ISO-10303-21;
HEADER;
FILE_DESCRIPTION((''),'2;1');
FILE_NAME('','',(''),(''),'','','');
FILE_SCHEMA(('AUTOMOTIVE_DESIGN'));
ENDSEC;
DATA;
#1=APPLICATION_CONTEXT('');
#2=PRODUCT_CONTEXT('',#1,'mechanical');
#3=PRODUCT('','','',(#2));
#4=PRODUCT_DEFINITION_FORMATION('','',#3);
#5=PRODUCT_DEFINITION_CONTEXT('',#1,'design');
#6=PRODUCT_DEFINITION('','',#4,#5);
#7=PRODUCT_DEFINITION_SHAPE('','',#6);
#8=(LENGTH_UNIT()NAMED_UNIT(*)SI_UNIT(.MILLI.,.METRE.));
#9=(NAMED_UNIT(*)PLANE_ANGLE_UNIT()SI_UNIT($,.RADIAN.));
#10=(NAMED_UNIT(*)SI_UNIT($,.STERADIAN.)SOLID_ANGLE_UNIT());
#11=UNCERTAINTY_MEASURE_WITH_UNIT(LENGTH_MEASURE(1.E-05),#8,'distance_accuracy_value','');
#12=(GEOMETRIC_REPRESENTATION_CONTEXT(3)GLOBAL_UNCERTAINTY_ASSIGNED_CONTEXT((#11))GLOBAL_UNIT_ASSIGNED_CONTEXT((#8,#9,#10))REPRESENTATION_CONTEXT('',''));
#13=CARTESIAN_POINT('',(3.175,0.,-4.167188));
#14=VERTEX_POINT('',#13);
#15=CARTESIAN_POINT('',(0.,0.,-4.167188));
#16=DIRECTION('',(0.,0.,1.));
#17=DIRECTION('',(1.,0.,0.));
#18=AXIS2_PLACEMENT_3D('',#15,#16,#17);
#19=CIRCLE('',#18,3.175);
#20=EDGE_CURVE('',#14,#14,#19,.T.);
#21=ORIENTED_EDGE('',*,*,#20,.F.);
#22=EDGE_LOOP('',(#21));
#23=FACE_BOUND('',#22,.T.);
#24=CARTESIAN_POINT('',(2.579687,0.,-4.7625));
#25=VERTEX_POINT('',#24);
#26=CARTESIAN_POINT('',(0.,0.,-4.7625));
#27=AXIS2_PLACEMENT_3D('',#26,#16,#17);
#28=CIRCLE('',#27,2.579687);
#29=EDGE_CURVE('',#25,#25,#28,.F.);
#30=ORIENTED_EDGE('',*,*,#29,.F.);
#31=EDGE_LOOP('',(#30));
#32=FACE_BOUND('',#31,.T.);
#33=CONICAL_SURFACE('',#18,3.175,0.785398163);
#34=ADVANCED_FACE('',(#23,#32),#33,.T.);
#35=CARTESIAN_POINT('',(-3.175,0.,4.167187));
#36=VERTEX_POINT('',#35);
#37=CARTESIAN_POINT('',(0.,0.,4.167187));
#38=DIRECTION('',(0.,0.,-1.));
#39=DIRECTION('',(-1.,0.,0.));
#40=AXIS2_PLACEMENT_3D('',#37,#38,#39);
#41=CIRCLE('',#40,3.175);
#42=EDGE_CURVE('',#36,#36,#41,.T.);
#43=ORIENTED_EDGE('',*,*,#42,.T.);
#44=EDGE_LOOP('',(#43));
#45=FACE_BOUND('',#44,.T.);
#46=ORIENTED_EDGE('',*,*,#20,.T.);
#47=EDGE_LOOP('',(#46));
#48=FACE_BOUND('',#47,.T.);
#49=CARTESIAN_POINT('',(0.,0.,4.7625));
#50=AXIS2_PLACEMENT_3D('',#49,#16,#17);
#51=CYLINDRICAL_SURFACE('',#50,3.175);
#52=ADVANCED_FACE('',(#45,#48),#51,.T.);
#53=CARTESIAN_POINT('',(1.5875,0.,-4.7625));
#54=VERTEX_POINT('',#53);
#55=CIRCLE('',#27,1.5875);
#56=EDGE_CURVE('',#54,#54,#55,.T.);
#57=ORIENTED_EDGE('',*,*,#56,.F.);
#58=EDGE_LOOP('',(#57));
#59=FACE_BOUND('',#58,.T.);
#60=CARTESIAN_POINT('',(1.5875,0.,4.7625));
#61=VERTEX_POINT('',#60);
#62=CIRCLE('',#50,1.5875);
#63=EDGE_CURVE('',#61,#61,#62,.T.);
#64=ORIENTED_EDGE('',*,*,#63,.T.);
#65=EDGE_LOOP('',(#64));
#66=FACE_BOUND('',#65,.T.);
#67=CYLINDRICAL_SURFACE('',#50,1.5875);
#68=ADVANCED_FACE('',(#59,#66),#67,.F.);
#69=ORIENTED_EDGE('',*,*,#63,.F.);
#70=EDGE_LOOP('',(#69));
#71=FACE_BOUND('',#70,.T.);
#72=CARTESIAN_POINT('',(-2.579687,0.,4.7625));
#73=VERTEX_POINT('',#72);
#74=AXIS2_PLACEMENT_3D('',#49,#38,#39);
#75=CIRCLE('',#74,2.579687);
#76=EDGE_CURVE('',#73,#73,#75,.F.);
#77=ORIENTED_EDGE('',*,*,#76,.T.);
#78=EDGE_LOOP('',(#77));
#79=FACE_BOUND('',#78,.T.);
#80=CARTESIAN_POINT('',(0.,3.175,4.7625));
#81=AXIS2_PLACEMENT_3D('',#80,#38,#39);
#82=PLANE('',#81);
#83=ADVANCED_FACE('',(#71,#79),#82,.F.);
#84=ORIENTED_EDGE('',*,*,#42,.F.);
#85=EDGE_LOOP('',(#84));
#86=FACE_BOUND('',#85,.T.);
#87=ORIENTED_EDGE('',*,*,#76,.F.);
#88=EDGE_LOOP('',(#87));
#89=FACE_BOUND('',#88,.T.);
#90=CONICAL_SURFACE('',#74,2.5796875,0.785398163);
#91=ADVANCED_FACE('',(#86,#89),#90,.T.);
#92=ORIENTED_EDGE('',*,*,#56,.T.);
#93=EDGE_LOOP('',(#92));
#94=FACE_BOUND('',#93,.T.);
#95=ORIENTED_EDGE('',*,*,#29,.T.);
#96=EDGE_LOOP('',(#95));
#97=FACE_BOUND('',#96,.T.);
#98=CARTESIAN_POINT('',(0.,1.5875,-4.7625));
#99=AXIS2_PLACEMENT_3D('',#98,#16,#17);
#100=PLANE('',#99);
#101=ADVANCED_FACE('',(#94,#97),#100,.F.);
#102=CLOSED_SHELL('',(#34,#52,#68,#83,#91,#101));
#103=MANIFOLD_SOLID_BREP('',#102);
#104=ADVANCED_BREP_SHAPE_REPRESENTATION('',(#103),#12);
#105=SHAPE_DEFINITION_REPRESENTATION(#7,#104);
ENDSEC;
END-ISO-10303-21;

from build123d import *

# Parameters (mm, degrees)
SKETCH3_W     = 9.525
SKETCH3_H     = 1.5875
CHAMFER1_SIZE = 0.5953125


with BuildPart() as part:
    # Sketch3 → Revolve1 (revolve)
    with BuildSketch(Plane(origin=(0, 0, 0), x_dir=(0, 0, -1), z_dir=(1, 0, 0)), mode=Mode.PRIVATE) as revolve1_sk:
        with Locations((0, 2.38125)):
            Rectangle(SKETCH3_W, SKETCH3_H)
    revolve(revolve1_sk.sketch.rotate(Axis((0, 0, 4.7625), (0, 0, -1)), 90), axis=Axis((0, 0, 4.7625), (0, 0, -1)))

    # Chamfer1
    chamfer1_edges = [part.edges().sort_by_distance(p)[0] for p in [
        (-3.175, 0, 4.7625),
        (-3.175, 0, -4.7625),
    ]]
    chamfer(chamfer1_edges, length=CHAMFER1_SIZE)


solid = part.part
